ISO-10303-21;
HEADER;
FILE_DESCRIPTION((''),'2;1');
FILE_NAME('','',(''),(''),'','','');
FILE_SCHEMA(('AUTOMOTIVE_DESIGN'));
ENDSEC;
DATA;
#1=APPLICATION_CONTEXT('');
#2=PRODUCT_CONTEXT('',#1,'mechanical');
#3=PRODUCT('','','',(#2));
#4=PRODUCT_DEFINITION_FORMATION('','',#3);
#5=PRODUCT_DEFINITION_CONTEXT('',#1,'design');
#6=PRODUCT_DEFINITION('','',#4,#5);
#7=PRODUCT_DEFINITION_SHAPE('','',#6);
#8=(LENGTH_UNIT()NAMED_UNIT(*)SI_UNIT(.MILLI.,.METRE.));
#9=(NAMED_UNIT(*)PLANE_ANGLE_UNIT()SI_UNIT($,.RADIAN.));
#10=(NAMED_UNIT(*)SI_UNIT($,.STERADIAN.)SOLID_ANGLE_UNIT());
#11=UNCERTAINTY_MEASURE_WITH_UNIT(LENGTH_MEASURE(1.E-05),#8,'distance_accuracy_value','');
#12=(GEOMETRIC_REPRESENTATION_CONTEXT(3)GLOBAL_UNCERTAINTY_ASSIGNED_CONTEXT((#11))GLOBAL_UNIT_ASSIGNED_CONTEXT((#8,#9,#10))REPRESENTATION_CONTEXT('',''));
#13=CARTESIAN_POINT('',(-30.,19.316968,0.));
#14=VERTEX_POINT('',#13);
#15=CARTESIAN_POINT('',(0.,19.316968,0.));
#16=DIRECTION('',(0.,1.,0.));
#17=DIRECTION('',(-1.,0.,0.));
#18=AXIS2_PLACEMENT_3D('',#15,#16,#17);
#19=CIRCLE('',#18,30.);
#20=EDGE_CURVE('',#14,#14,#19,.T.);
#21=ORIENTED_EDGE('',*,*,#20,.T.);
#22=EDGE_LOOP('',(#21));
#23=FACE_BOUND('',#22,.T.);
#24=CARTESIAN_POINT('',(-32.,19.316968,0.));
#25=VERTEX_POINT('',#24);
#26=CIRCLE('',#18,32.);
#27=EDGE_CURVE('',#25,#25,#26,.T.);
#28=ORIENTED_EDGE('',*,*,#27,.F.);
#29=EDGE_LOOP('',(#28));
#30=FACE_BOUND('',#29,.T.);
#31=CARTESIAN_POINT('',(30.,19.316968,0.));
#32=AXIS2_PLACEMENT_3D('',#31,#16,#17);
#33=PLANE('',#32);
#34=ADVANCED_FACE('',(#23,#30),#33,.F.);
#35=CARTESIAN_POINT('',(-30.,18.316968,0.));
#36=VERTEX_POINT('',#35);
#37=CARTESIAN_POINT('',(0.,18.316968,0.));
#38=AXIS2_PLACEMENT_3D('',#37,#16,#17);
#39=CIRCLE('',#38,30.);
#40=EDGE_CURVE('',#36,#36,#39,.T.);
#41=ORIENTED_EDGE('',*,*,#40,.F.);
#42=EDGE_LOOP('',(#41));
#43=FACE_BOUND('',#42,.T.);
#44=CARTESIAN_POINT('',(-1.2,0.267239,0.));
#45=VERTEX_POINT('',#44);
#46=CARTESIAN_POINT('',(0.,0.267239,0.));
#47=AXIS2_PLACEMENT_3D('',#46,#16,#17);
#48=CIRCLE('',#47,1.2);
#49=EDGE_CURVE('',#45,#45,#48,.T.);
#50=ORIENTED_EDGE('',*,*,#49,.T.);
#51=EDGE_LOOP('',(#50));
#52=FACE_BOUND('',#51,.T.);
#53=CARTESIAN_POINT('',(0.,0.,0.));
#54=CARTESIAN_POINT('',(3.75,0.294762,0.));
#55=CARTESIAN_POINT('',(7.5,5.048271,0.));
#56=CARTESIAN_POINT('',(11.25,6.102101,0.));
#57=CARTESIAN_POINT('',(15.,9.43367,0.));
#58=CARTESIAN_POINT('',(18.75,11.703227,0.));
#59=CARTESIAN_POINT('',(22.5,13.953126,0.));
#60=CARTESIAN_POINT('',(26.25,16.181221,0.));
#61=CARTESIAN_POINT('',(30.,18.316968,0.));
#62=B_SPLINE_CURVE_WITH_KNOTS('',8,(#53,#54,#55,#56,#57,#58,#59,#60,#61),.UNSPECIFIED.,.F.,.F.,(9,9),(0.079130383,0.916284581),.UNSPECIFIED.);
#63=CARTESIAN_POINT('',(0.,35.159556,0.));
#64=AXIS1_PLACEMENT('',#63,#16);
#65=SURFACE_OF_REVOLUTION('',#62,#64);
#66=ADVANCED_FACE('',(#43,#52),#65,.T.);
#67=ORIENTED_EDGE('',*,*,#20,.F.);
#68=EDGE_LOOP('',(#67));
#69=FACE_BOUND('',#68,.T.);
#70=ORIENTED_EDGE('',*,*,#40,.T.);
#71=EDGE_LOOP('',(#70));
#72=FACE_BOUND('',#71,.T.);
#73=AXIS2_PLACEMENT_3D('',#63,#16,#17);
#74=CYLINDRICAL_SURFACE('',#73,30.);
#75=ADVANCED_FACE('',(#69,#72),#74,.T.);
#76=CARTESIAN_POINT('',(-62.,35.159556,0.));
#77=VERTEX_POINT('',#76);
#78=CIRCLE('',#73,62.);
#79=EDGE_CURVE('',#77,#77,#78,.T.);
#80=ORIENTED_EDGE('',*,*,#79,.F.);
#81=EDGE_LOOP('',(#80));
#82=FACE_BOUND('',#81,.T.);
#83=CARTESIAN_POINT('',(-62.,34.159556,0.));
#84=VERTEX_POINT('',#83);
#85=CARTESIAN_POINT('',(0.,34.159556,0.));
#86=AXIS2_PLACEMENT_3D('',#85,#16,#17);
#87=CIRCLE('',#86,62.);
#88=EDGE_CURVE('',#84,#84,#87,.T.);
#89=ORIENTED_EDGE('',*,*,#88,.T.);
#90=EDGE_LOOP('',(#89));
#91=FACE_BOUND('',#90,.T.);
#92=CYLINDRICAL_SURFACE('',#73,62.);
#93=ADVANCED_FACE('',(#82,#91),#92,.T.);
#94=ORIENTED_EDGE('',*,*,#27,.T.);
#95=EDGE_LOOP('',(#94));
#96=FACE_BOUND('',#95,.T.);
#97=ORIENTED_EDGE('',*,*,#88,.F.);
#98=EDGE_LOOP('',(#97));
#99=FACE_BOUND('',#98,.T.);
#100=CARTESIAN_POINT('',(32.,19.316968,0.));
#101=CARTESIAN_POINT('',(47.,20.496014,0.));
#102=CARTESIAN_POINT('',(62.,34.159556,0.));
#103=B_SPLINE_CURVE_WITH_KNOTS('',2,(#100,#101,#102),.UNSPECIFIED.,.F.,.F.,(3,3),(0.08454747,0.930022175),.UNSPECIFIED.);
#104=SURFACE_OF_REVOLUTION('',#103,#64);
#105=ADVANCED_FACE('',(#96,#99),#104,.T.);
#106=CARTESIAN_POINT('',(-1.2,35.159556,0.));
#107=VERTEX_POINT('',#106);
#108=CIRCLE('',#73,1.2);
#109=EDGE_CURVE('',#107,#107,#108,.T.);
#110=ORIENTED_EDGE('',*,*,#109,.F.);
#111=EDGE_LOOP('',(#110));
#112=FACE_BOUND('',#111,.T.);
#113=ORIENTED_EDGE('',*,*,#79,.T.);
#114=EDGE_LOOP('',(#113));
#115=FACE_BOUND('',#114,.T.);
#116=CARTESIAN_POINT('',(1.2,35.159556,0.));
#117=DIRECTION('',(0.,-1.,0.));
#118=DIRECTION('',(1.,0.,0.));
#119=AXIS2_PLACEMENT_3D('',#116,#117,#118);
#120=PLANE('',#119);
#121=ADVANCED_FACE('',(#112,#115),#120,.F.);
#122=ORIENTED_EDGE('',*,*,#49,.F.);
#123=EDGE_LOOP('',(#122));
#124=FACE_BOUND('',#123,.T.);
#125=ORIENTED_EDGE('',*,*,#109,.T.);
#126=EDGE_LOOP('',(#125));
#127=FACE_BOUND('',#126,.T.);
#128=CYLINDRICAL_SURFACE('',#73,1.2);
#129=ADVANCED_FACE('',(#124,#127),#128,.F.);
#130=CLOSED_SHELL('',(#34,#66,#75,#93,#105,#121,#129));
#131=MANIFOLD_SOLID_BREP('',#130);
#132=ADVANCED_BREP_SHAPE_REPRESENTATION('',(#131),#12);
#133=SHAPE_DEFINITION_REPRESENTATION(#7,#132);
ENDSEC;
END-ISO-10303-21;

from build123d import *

# Parameters (mm, degrees)
SKETCH5_R          = 1.2
CUT_EXTRUDE1_DEPTH = 95.467954306


with BuildPart() as part:
    # Sketch3 → Revolve4 (revolve)
    with BuildSketch(Plane.XY, mode=Mode.PRIVATE) as revolve4_sk:
        with BuildLine():
            Line((1.2, 35.159555727), (1.2, 30.159555727))
            Line((1.2, 30.159555727), (0, 30.159555727))
            Line((0, 30.159555727), (0, 0))
            add(Edge.make_bspline(
                [(0, 0), (3.750000005, 0.294761526), (7.499999999, 5.048271343), (11.250000002, 6.10210111), (14.999999999, 9.433669628), (18.749999999, 11.703227443), (22.499999999, 13.953126222), (26.249999999, 16.181221128), (30, 18.316968407)],
                knots=[0.079130383, 0.079130383, 0.079130383, 0.079130383, 0.079130383, 0.079130383, 0.079130383, 0.079130383, 0.079130383, 0.916284581, 0.916284581, 0.916284581, 0.916284581, 0.916284581, 0.916284581, 0.916284581, 0.916284581, 0.916284581], degree=8))
            Line((30, 18.316968407), (30, 19.316968407))
            Line((30, 19.316968407), (32, 19.316968407))
            add(Edge.make_bspline(
                [(32, 19.316968407), (47, 20.496014481), (62, 34.159555727)],
                knots=[0.08454747, 0.08454747, 0.08454747, 0.930022175, 0.930022175, 0.930022175], degree=2))
            Line((62, 34.159555727), (62, 35.159555727))
            Line((62, 35.159555727), (1.2, 35.159555727))
        make_face()
    revolve(revolve4_sk.sketch.rotate(Axis((0, 35.159555727, 0), (0, -1, 0)), 180), axis=Axis((0, 35.159555727, 0), (0, -1, 0)))

    # Sketch5 → Cut-Extrude1 (cut, through all)
    with BuildSketch(Plane(origin=(0, 35.159555727, 0), x_dir=(1, 0, 0), z_dir=(0, 1, 0))):
        with Locations(Location((0, 0, 0), (0, 0, 180))):
            Circle(SKETCH5_R)
    extrude(amount=-CUT_EXTRUDE1_DEPTH, mode=Mode.SUBTRACT)


solid = part.part
